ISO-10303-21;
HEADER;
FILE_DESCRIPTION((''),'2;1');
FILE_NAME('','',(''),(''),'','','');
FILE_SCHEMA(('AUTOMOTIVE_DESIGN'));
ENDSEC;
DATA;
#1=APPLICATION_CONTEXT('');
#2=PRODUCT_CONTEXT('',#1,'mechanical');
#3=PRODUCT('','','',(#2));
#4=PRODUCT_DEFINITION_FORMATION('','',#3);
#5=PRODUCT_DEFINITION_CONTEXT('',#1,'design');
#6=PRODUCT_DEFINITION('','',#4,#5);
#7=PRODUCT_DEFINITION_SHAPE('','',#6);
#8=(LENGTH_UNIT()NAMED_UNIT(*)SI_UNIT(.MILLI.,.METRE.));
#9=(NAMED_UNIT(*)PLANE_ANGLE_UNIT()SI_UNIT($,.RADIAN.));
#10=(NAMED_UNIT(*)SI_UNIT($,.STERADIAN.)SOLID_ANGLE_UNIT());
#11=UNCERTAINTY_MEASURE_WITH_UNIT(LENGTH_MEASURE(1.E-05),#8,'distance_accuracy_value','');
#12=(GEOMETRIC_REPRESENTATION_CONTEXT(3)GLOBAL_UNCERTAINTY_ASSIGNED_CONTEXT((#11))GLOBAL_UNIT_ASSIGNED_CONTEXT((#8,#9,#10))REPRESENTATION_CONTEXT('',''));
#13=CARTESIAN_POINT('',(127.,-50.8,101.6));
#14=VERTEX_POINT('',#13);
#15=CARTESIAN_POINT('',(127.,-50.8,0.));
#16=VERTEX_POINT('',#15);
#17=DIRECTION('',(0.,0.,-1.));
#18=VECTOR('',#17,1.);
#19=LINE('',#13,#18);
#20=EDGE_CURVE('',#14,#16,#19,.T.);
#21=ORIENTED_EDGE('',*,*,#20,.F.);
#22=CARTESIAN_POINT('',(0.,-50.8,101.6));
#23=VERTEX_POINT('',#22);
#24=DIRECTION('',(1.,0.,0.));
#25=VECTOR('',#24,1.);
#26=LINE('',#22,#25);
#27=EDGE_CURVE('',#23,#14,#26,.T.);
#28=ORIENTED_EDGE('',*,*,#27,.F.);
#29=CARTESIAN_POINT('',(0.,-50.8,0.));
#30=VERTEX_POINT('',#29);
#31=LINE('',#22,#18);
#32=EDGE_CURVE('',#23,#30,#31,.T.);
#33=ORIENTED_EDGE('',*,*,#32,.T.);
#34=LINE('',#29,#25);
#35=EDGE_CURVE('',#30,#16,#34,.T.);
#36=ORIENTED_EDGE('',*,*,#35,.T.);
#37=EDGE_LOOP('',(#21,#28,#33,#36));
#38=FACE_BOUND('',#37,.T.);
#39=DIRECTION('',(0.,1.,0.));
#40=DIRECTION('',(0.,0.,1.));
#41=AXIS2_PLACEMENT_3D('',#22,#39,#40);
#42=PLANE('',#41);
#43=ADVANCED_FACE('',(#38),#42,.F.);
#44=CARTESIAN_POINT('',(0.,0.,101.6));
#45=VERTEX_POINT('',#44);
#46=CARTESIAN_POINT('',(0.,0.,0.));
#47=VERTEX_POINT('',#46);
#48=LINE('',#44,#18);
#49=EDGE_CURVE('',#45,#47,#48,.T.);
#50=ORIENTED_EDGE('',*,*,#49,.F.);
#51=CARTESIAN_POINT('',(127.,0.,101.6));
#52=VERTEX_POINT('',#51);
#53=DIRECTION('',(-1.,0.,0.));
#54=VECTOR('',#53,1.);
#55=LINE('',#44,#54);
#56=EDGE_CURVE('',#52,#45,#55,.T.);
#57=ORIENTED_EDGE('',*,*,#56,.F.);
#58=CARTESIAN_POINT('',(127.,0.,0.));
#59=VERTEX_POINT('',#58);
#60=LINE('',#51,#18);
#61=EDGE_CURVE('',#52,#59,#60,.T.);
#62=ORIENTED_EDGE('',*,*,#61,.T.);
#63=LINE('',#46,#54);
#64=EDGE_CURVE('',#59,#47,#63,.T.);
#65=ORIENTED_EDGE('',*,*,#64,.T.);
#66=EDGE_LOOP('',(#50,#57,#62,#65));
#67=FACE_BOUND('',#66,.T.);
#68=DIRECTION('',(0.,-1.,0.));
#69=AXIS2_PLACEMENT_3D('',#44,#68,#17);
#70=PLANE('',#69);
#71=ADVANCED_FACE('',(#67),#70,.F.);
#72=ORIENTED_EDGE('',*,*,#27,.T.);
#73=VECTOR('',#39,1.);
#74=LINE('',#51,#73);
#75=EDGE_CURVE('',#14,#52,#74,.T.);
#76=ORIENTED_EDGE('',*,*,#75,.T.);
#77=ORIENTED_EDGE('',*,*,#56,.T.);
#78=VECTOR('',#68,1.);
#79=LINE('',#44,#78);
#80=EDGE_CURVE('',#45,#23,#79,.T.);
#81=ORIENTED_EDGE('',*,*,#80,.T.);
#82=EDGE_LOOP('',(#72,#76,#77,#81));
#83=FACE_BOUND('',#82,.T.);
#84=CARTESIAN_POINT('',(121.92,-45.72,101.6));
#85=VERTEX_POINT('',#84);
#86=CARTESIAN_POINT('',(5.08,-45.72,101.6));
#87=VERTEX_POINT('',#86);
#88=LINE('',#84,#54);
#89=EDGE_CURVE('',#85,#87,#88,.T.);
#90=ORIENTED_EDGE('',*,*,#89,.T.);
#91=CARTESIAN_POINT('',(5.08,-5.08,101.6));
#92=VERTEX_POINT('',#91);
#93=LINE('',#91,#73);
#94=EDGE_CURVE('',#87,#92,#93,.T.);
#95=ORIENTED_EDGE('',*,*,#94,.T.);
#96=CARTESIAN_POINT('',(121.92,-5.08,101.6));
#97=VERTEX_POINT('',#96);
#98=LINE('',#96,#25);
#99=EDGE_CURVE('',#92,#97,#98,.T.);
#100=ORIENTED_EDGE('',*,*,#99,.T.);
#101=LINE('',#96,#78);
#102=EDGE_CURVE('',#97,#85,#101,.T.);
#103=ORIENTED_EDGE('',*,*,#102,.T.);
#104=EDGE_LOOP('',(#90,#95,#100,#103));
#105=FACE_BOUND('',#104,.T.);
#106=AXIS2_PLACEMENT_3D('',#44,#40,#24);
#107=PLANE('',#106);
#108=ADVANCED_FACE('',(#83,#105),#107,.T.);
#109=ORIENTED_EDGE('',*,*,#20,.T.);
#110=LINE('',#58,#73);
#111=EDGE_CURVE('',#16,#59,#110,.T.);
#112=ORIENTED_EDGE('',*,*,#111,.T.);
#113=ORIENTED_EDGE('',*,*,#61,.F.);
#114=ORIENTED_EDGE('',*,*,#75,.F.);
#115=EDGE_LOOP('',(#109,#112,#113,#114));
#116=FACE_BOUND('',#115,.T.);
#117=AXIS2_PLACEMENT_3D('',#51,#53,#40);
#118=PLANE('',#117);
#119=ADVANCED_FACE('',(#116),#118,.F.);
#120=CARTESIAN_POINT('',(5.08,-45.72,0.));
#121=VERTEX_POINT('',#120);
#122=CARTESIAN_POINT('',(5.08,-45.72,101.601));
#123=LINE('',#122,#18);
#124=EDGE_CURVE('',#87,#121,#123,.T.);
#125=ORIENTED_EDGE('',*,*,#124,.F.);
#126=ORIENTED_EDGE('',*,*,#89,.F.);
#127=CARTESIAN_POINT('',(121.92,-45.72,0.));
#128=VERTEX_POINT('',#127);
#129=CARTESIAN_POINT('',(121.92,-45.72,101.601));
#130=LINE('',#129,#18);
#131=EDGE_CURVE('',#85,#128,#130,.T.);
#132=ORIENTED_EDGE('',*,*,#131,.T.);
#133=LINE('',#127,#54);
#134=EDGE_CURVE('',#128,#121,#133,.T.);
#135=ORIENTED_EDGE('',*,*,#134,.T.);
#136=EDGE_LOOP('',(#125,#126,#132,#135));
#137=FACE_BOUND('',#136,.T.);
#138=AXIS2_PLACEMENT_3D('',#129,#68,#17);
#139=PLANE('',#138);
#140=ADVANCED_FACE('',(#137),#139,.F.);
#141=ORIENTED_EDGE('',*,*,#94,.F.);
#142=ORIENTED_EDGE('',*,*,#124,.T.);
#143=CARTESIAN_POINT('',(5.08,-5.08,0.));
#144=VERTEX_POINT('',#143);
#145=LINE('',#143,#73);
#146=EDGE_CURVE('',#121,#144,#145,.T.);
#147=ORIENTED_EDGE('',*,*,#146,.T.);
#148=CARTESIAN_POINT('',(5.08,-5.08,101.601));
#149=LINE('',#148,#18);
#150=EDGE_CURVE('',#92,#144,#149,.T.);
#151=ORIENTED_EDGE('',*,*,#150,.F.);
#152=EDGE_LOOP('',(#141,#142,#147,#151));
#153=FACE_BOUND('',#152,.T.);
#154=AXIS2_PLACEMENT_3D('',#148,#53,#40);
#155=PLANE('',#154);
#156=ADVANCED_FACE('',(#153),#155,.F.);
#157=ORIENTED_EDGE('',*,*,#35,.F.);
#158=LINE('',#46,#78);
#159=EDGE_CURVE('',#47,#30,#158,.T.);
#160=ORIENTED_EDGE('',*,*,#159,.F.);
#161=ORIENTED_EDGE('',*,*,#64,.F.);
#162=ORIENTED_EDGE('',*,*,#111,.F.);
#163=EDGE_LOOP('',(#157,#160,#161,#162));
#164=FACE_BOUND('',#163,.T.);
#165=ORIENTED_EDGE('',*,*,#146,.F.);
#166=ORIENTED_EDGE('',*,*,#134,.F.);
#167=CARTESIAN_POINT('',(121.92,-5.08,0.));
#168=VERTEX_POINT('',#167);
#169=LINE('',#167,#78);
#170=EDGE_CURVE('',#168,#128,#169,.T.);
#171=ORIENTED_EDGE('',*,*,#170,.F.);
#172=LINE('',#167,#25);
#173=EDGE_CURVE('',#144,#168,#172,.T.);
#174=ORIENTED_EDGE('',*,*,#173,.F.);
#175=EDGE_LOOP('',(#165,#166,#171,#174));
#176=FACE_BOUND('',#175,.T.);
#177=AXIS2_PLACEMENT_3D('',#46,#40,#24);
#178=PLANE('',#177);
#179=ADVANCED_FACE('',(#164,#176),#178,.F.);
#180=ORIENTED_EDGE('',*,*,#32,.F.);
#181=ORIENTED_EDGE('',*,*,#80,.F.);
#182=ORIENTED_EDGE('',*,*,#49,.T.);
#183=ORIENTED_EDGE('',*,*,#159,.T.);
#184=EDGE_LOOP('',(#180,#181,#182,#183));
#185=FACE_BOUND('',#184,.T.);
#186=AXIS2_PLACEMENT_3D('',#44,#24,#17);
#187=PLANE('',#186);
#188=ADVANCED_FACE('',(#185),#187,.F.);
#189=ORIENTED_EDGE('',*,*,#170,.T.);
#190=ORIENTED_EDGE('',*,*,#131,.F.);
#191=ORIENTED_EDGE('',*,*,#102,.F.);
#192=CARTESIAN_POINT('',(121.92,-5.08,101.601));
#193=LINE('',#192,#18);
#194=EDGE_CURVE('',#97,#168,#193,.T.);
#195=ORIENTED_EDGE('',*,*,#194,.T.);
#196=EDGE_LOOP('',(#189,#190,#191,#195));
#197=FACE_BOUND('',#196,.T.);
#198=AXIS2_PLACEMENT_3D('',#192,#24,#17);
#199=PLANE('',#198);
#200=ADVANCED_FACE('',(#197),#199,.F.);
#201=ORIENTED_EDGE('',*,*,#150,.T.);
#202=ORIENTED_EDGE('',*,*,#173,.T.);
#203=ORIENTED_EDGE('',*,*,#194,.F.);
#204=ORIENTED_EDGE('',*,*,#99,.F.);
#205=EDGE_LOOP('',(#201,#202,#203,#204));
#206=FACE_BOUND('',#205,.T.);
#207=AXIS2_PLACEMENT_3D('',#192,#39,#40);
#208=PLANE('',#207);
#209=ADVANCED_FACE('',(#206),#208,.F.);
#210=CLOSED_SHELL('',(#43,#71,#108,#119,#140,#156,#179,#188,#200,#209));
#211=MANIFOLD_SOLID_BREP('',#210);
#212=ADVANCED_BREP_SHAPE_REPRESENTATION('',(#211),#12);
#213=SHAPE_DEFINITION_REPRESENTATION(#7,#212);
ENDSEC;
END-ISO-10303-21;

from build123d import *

# Parameters (mm, degrees)
SKETCH1_W           = 127
SKETCH1_H           = 50.8
BOSS_EXTRUDE1_DEPTH = 101.6
CUT_EXTRUDE1_REACH  = 172.388
SKETCH2_W           = 116.84
SKETCH2_H           = 40.64


with BuildPart() as part:
    # Sketch1 → Boss-Extrude1 (new body)
    with BuildSketch(Plane.XY):
        with Locations((63.5, -25.4)):
            Rectangle(SKETCH1_W, SKETCH1_H)
    extrude(amount=BOSS_EXTRUDE1_DEPTH)

    # Sketch2 → Cut-Extrude1 (cut, up to next)
    with BuildSketch(Plane(origin=(0, 0, 0), x_dir=(-1, 0, 0), z_dir=(0, 0, -1)), mode=Mode.PRIVATE) as cut_extrude1_sk1:
        with Locations((-63.5, -25.4)):
            Rectangle(SKETCH2_W, SKETCH2_H)
    cut_extrude1_tool1 = extrude(cut_extrude1_sk1.sketch, amount=-CUT_EXTRUDE1_REACH, mode=Mode.PRIVATE) & part.part
    add(cut_extrude1_tool1.solids().sort_by_distance((63.5, -25.4, 0))[0], mode=Mode.SUBTRACT)


solid = part.part
